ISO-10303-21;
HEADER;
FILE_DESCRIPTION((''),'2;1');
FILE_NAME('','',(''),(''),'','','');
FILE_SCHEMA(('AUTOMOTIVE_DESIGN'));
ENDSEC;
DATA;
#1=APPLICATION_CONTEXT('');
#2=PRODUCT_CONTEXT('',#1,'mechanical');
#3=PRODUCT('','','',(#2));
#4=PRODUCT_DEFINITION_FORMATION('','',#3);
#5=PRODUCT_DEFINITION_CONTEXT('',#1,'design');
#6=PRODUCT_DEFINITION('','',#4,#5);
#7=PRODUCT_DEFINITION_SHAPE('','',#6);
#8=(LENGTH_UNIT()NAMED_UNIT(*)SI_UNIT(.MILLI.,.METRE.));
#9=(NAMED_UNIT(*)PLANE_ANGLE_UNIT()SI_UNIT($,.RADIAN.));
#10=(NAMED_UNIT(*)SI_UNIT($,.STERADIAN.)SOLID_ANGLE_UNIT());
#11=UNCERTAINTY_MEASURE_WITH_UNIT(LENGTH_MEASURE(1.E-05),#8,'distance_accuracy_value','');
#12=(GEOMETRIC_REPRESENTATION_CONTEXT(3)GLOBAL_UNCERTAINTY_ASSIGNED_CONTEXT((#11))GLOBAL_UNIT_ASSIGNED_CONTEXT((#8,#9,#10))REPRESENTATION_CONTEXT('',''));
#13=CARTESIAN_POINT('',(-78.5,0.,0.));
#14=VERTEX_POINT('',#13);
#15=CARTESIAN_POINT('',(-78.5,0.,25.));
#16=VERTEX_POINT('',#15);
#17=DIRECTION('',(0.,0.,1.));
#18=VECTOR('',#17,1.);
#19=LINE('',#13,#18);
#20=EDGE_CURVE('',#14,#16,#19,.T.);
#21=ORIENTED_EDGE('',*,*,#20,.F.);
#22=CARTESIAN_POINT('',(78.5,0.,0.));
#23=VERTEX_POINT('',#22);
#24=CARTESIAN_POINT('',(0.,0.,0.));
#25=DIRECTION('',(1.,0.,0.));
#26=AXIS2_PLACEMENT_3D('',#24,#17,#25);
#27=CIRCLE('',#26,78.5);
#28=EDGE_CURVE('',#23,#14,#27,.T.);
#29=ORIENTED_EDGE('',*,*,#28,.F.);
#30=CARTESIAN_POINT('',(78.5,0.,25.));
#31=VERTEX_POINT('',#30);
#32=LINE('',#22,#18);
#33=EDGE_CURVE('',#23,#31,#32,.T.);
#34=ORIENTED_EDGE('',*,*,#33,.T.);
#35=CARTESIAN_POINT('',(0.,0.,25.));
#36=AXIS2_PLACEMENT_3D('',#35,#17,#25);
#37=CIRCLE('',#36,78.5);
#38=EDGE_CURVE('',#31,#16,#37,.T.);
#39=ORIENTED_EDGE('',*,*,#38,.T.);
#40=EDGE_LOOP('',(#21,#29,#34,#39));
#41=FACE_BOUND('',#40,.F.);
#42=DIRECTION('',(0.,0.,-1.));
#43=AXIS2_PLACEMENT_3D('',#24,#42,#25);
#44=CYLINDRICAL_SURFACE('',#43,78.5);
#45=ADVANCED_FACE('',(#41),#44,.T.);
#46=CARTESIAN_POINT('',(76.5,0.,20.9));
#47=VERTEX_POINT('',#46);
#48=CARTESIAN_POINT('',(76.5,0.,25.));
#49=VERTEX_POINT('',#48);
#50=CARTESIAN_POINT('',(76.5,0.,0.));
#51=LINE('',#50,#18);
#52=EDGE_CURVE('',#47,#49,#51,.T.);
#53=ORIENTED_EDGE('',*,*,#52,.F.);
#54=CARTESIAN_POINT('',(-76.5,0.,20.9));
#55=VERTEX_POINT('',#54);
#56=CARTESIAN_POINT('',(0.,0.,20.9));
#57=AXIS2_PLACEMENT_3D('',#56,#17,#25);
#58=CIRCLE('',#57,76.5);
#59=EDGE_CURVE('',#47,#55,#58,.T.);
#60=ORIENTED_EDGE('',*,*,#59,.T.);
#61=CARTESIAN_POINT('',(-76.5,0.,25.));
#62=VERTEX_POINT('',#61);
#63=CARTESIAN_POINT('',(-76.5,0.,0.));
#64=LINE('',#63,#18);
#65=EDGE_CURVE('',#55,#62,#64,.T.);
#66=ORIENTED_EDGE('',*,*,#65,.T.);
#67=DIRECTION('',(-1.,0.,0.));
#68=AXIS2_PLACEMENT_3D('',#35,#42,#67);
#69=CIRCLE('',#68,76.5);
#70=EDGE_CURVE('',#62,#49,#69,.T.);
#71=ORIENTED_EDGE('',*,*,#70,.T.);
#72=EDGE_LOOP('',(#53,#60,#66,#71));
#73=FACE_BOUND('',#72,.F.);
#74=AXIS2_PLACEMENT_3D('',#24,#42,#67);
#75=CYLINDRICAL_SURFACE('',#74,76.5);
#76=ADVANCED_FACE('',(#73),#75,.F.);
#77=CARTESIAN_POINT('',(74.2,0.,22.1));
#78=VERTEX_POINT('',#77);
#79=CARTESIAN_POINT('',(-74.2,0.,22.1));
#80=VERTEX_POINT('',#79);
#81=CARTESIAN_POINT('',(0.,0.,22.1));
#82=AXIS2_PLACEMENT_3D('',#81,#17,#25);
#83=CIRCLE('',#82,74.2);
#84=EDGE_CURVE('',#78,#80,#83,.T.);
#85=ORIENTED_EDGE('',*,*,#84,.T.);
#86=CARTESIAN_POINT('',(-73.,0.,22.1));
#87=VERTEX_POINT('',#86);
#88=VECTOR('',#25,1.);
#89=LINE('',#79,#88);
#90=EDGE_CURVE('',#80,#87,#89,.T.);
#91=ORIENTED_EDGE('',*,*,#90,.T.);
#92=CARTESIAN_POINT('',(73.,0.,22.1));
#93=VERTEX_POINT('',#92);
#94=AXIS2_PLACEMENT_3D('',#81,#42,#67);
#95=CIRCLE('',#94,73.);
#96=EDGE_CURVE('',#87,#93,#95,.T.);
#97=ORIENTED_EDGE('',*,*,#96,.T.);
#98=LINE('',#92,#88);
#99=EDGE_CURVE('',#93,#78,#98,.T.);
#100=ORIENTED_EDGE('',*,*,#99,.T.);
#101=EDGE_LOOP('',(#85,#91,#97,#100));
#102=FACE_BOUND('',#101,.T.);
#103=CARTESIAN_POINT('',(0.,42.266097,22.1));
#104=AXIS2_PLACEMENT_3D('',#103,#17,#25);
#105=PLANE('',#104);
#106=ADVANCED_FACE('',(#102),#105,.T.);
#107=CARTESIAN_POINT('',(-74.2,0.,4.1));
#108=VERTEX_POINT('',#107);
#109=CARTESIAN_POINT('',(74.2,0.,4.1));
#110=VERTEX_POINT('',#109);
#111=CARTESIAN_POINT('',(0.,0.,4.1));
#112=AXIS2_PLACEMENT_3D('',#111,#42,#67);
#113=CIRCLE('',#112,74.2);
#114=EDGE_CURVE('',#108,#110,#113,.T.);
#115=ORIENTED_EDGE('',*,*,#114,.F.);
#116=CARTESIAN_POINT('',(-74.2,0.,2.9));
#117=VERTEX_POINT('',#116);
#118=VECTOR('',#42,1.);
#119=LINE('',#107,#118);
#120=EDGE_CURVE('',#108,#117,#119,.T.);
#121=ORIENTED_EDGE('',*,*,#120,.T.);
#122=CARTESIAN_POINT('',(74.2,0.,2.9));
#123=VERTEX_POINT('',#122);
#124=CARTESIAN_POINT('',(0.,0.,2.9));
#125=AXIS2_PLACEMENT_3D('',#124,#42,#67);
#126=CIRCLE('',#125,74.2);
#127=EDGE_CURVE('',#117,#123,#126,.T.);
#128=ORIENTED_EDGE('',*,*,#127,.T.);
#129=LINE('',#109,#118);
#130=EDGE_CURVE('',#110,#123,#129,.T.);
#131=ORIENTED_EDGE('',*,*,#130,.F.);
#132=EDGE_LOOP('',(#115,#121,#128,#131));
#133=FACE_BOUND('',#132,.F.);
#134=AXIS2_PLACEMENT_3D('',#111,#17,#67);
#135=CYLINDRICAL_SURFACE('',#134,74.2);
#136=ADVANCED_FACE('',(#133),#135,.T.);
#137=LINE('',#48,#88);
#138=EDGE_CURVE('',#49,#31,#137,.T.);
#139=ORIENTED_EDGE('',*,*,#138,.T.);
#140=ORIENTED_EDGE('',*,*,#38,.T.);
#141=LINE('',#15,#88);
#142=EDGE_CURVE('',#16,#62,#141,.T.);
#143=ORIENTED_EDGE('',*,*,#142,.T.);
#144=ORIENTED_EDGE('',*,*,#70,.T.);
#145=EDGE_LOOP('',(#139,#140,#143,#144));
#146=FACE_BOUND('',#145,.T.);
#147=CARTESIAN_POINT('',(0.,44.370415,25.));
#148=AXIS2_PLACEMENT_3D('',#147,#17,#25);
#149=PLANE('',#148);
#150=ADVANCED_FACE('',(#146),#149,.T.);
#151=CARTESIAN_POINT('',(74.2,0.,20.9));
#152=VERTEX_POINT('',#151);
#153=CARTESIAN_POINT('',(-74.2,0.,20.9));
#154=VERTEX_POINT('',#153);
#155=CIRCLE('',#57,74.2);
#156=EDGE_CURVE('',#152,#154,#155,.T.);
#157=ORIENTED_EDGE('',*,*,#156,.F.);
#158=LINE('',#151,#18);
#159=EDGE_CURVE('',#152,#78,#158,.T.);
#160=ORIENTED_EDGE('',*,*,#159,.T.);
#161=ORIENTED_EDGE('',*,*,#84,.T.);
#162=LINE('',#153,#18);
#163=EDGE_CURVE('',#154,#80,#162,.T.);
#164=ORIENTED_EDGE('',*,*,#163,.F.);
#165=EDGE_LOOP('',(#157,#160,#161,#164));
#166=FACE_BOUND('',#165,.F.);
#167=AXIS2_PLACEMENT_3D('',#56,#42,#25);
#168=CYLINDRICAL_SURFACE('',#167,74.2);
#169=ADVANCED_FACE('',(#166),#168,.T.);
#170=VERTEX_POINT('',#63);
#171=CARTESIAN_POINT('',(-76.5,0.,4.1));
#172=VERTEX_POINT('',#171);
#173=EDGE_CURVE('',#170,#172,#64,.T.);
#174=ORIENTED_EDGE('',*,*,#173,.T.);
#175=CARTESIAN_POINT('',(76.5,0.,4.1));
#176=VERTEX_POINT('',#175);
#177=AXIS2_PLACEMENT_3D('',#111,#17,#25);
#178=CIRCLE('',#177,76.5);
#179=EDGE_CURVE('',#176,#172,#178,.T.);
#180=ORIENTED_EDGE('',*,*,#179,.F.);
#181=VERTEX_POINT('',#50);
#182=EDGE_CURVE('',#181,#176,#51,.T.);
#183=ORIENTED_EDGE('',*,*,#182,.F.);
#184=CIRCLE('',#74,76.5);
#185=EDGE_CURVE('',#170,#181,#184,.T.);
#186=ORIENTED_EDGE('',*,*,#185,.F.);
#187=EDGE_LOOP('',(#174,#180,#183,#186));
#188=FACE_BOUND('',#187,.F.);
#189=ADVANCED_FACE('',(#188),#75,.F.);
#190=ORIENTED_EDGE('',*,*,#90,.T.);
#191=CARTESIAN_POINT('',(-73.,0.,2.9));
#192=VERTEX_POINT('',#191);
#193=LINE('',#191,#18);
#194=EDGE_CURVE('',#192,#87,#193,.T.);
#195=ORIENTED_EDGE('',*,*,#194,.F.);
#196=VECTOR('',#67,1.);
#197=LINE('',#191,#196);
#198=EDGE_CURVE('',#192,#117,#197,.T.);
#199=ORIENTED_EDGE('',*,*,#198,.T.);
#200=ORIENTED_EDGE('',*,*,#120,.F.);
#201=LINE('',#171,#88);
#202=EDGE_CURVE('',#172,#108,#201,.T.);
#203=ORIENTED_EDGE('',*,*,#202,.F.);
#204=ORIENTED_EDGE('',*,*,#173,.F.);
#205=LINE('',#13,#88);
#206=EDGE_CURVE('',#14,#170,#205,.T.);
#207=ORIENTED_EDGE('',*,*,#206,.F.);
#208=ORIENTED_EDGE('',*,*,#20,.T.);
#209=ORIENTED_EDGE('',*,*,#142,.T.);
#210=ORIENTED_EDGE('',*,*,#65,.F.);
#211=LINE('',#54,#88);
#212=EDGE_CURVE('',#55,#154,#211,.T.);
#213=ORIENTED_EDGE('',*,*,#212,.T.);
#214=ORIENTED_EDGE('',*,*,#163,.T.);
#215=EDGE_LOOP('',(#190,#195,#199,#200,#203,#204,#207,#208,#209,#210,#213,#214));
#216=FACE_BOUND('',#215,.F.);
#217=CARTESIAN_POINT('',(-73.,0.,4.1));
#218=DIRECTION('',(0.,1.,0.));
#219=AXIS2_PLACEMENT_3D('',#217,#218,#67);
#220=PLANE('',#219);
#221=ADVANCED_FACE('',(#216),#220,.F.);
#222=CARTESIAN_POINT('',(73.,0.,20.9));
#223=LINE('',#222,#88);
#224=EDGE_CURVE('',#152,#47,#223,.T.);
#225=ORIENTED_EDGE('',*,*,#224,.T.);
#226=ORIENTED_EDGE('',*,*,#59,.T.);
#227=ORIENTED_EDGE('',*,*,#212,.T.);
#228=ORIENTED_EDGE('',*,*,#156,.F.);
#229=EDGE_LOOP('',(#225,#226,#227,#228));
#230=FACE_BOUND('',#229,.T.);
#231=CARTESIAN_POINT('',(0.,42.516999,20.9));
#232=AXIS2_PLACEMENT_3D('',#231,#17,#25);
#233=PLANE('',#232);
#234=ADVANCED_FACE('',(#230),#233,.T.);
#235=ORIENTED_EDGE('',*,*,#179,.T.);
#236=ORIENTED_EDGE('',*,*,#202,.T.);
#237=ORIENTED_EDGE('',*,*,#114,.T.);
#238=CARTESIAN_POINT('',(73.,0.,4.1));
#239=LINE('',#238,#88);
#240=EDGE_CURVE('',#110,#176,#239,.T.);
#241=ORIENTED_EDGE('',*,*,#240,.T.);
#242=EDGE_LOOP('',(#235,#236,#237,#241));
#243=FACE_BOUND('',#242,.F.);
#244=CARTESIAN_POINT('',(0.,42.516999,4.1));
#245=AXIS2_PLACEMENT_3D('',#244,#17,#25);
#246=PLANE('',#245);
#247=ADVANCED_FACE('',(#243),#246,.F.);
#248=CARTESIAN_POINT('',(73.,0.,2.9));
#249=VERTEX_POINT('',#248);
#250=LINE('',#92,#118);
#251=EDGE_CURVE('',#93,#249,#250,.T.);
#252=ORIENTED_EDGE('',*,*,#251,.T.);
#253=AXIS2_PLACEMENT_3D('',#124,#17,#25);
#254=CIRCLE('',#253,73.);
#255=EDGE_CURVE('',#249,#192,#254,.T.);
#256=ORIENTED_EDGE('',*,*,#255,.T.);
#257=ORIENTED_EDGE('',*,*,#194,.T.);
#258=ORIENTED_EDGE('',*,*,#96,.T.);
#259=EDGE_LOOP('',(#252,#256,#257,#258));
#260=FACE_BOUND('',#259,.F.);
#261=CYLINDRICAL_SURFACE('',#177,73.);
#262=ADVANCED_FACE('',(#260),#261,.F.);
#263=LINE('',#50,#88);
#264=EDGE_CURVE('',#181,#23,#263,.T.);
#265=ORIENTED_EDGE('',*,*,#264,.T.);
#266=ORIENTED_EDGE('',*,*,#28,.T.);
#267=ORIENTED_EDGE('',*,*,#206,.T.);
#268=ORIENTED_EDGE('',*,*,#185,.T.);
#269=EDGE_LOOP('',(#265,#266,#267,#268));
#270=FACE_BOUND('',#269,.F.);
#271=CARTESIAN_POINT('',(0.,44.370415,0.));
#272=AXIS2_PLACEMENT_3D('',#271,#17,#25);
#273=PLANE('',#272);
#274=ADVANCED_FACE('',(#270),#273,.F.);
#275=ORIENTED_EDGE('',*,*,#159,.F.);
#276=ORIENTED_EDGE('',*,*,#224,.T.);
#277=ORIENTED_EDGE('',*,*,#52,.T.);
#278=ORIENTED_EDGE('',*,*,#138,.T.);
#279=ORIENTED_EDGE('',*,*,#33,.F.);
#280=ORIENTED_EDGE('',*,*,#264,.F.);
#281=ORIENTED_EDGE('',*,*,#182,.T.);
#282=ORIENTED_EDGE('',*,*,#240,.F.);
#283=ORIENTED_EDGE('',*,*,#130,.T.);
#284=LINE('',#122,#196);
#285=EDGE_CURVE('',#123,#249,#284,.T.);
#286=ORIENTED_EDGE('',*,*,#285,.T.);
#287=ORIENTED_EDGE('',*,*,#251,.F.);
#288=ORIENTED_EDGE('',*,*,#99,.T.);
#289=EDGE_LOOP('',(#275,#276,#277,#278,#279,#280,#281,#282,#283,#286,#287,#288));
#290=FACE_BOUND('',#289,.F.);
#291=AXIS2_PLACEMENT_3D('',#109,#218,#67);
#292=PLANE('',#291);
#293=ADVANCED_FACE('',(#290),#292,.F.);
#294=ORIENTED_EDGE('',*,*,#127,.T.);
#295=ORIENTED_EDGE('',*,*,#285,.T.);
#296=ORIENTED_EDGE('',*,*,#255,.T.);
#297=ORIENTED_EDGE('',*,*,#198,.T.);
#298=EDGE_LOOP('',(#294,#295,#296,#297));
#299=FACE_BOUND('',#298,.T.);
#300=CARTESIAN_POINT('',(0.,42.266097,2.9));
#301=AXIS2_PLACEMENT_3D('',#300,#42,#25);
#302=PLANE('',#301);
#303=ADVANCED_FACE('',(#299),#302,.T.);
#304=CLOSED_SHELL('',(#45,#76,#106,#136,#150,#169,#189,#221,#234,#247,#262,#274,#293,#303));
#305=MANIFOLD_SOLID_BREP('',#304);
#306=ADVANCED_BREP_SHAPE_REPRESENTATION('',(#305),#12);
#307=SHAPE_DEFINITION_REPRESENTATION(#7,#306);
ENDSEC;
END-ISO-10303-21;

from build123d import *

# Parameters (mm, degrees)
F1_DEPTH = 25
F4_DEPTH = 16.8
F6_DEPTH = 1.2
F8_DEPTH = 1.2


with BuildPart() as f1:
    # F0 (on Top) → F1 (new body)
    with BuildSketch(Plane.XY):
        with BuildLine():
            ThreePointArc((-76.5, 0), (0, 76.5), (76.5, 0))
            Line((76.5, 0), (78.5, 0))
            ThreePointArc((78.5, 0), (0, 78.5), (-78.5, 0))
            Line((-78.5, 0), (-76.5, 0))
        make_face()
    extrude(amount=F1_DEPTH)

    # F3 (on offset) → F4 (join)
    with BuildSketch(Plane.XY.offset(4.1)):
        with BuildLine():
            Line((73, 0), (76.5, 0))
            ThreePointArc((76.5, 0), (0, 76.5), (-76.5, 0))
            Line((-76.5, 0), (-73, 0))
            ThreePointArc((-73, 0), (0, 73), (73, 0))
        make_face()
    extrude(amount=F4_DEPTH)

    # F5 (on face) → F6 (join)
    with BuildSketch(Plane.XY.offset(20.9)):
        with BuildLine():
            Line((73, 0), (74.2, 0))
            ThreePointArc((74.2, 0), (0, 74.2), (-74.2, 0))
            Line((-74.2, 0), (-73, 0))
            ThreePointArc((-73, 0), (0, 73), (73, 0))
        make_face()
    extrude(amount=F6_DEPTH)

    # F7 (on face) → F8 (join)
    with BuildSketch(Plane(origin=(0, 0, 4.1), x_dir=(1, 0, 0), z_dir=(0, 0, -1))):
        with BuildLine():
            ThreePointArc((-74.2, 0), (0, -74.2), (74.2, 0))
            Line((74.2, 0), (73, 0))
            ThreePointArc((73, 0), (0, -73), (-73, 0))
            Line((-73, 0), (-74.2, 0))
        make_face()
    extrude(amount=F8_DEPTH)


solid = f1.part
